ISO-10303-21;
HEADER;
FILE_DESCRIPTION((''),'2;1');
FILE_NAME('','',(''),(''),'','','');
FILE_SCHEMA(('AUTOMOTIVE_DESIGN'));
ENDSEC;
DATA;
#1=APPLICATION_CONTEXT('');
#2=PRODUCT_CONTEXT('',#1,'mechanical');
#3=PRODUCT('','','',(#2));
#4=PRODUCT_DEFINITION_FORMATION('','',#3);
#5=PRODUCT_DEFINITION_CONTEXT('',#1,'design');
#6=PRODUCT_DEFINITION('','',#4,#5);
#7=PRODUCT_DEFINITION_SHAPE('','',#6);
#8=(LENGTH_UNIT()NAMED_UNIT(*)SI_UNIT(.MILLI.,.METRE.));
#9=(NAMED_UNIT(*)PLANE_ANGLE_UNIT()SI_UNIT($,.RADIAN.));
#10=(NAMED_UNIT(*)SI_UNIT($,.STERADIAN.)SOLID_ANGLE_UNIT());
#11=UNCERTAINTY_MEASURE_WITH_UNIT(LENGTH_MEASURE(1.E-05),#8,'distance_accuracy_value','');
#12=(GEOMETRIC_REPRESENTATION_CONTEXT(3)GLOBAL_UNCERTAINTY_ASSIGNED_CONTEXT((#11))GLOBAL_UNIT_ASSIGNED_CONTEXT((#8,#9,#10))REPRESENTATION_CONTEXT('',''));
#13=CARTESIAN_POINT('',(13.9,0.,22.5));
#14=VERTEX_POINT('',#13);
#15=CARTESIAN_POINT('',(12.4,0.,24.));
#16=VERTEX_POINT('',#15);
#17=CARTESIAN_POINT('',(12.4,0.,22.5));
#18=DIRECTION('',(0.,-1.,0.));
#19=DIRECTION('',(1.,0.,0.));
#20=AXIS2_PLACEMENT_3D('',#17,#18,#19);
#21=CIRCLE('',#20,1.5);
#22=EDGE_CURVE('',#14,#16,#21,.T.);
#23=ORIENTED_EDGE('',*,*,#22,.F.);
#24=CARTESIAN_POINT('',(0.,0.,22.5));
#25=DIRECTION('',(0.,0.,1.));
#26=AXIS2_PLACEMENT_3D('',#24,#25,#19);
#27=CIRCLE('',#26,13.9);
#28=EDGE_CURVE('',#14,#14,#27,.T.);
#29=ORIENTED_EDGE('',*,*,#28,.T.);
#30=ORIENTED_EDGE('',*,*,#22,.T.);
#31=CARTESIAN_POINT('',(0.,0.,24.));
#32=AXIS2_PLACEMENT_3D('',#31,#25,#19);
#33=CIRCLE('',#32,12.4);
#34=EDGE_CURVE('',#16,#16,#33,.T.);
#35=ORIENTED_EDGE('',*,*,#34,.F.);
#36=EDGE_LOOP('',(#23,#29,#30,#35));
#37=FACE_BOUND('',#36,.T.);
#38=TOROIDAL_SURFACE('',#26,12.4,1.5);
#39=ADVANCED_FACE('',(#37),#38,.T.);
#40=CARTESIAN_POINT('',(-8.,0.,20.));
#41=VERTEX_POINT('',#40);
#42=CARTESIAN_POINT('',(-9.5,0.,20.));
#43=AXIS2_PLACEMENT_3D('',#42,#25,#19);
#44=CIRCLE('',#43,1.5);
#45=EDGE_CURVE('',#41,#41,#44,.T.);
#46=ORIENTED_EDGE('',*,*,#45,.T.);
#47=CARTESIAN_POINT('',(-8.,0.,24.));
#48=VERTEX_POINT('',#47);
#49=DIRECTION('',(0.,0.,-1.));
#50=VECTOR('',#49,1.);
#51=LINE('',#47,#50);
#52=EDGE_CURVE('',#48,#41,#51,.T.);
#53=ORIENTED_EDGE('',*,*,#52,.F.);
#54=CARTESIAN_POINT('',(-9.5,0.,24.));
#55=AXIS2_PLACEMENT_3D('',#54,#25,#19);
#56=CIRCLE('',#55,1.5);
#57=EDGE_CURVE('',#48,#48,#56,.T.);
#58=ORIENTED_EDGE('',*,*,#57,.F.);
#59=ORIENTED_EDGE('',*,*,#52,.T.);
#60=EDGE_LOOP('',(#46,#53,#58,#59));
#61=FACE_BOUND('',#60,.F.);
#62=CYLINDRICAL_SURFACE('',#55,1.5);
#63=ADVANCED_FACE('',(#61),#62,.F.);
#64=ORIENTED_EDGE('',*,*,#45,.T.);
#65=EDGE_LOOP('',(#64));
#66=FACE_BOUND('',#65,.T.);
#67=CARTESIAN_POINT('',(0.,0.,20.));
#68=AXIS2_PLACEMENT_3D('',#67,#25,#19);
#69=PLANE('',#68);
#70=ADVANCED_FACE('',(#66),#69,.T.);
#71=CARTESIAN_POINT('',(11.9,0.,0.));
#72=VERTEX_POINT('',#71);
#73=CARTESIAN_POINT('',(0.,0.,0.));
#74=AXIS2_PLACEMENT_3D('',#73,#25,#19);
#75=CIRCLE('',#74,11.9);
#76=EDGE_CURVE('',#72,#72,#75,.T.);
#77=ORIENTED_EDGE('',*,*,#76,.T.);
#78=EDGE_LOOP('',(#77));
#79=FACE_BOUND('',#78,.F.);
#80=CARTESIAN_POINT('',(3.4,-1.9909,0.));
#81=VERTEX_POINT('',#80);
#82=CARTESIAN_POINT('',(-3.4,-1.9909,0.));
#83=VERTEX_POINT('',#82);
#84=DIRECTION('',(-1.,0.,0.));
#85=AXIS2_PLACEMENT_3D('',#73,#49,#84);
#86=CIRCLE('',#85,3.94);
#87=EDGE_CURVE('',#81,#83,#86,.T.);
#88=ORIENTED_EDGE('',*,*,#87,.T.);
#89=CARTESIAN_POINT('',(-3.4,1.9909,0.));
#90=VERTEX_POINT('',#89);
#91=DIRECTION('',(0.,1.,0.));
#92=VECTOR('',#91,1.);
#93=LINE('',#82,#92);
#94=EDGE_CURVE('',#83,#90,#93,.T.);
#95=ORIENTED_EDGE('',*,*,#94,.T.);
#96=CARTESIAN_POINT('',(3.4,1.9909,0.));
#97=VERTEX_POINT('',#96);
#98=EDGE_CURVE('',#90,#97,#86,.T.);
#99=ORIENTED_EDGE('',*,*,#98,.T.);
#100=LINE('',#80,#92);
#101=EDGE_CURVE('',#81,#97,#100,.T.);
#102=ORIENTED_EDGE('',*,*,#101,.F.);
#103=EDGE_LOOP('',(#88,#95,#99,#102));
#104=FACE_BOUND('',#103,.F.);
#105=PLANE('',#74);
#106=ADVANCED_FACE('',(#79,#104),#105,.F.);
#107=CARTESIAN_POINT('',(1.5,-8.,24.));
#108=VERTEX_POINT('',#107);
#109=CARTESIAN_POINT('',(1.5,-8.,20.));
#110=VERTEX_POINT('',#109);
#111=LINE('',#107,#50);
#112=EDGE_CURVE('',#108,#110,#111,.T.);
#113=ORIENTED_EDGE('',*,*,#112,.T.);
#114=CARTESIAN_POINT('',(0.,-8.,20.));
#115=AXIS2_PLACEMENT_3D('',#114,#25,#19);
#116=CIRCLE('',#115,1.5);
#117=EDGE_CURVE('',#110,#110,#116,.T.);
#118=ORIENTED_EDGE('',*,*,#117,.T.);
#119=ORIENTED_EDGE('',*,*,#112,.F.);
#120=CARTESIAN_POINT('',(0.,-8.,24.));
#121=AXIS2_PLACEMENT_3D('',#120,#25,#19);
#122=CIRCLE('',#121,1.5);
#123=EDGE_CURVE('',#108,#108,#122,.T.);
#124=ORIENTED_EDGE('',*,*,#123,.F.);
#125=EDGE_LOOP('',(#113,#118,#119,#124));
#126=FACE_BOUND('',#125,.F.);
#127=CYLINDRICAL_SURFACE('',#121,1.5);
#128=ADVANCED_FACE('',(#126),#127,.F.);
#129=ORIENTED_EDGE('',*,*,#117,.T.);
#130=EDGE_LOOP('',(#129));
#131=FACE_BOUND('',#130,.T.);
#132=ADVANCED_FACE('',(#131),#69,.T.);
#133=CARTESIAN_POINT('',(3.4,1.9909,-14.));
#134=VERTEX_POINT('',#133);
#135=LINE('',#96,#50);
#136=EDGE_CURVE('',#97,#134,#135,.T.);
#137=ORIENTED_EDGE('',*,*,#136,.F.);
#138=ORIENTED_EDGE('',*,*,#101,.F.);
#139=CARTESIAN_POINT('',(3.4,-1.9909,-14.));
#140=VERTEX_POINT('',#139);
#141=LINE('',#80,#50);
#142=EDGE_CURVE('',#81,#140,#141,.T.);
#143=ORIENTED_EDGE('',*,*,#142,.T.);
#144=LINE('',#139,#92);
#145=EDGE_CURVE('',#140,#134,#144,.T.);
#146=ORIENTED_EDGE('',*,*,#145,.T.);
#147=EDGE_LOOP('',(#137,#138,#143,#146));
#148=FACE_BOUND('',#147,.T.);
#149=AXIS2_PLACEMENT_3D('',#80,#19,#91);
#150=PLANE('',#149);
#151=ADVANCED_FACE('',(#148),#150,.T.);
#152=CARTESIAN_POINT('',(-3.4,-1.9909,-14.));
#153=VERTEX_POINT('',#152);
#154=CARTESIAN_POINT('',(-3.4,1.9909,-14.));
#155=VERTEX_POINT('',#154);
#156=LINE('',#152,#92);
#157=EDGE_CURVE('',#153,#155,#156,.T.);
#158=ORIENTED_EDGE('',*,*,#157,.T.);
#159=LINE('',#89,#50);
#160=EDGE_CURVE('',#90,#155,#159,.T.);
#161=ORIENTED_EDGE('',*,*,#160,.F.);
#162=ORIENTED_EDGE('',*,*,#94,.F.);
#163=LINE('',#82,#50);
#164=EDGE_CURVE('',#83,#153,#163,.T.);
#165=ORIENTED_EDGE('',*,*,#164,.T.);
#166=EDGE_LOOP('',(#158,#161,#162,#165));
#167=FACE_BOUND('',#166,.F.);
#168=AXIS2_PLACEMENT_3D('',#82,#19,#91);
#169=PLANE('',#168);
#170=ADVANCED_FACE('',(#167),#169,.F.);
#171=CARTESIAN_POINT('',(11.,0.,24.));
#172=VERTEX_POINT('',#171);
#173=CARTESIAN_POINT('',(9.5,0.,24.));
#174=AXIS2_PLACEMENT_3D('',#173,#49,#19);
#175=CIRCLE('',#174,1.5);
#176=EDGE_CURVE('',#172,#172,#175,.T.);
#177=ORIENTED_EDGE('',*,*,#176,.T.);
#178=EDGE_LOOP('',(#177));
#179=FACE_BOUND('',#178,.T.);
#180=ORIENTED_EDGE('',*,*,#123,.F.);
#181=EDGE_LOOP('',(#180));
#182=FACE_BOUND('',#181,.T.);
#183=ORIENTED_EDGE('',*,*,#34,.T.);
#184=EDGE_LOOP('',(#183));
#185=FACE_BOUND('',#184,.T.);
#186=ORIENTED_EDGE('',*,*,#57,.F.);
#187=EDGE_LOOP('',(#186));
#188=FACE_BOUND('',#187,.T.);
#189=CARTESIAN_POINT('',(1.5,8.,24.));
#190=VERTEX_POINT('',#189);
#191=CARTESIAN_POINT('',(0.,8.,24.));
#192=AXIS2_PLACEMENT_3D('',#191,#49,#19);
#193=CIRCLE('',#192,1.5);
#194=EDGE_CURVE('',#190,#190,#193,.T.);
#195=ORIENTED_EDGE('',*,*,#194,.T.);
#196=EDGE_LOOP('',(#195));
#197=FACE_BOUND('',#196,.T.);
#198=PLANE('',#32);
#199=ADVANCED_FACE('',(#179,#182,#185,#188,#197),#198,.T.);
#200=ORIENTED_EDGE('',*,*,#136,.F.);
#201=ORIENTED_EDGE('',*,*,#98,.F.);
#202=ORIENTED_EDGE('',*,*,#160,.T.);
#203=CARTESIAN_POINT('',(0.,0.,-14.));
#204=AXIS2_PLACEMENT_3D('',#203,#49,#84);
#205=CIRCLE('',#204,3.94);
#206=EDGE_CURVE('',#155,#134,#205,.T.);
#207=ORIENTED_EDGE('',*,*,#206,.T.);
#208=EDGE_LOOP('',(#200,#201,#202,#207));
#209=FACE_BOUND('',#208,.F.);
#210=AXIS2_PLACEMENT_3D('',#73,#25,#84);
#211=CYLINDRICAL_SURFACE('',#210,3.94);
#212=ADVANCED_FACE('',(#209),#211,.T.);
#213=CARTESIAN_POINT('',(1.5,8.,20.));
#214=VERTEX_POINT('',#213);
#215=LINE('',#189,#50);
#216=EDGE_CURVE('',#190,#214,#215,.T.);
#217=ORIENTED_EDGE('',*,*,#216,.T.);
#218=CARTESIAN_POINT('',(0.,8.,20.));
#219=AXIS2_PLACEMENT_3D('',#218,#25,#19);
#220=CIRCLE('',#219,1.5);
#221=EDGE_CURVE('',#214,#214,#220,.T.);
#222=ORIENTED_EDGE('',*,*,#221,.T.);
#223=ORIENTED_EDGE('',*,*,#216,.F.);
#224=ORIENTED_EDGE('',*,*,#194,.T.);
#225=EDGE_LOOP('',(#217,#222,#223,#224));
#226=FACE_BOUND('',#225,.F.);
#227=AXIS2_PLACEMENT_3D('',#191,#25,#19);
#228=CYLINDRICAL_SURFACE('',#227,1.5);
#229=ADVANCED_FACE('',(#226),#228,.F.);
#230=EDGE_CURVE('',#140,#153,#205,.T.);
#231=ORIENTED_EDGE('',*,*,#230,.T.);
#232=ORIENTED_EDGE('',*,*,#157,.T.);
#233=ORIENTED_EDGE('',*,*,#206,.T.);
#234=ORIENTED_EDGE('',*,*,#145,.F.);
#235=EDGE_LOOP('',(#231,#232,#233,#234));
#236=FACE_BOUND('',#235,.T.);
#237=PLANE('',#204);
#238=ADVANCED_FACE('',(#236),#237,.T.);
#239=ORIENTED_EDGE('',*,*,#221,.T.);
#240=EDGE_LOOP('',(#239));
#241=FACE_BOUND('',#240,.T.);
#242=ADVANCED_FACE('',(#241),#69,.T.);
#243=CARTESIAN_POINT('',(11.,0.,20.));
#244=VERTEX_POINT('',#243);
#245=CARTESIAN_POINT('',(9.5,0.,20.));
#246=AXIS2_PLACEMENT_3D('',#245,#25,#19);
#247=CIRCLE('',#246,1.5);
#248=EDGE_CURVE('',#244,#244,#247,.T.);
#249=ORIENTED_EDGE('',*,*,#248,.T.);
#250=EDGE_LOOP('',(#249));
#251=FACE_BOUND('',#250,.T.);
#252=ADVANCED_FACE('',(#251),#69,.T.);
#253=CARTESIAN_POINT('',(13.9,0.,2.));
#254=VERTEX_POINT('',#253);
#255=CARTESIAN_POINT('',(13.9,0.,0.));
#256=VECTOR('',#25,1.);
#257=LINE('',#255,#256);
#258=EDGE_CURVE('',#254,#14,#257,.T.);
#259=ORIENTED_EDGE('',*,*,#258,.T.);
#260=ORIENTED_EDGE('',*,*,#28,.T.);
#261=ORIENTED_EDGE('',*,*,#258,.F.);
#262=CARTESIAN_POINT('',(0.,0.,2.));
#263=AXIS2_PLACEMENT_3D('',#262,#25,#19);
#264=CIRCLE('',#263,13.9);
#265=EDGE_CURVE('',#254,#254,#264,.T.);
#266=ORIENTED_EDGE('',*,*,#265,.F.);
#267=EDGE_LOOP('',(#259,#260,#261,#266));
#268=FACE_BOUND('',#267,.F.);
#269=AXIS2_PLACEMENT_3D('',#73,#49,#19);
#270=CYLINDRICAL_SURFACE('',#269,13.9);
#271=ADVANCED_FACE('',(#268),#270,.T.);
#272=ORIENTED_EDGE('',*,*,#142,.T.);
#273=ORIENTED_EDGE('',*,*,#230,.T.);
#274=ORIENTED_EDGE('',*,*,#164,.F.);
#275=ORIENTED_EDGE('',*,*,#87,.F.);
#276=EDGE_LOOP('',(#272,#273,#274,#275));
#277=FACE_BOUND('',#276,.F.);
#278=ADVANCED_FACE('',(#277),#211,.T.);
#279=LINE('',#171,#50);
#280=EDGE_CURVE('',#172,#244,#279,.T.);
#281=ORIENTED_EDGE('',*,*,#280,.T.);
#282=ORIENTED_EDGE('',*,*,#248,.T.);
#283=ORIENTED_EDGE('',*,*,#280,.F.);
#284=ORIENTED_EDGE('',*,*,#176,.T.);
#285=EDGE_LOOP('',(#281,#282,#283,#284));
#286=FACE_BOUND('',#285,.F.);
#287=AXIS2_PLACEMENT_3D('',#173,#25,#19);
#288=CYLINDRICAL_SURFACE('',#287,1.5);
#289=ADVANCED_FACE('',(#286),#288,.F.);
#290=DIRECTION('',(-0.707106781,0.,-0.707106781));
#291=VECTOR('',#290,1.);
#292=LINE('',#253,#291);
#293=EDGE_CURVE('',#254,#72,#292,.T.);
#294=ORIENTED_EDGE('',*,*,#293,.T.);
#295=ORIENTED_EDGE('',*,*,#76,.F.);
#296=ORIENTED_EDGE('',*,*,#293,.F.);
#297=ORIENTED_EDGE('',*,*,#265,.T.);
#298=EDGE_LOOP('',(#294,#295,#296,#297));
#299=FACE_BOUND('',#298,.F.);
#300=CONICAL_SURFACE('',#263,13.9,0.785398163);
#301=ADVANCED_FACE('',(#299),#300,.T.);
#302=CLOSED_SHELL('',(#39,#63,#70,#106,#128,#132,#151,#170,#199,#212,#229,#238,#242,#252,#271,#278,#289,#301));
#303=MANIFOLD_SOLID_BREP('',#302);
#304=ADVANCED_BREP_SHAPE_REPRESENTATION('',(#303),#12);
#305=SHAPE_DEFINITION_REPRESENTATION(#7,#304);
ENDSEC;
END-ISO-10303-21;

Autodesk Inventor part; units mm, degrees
ref_plane "YZ Plane" through (0, 0, 0) normal (1, 0, 0) x (0, 1, 0)
ref_plane "XZ Plane" through (0, 0, 0) normal (0, 1, 0) x (-1, 0, 0)
ref_plane "XY Plane" through (0, 0, 0) normal (0, 0, 1) x (1, 0, 0)
sketch "Sketch1" plane through (0, 0, 0) normal (0, 0, 1) x (1, 0, 0)
  circle A0 centre (0, 0) radius 13.9
  dimension "d0" = 27.8
extrude "Extrusion1" add sketch "Sketch1" along normal blind 24
fillet "Fillet1" radius 1.5 1 edges at (-13.9, 0, 24)
chamfer "Chamfer1" distance 2 angle 45 1 edges at (-13.9, 0, 0)
sketch "Sketch2" plane through (0, 0, 0) normal (0, 0, -1) x (-1, 0, 0)
  circle A0 centre (0, 0) radius 11.9 construction
  circle A1 centre (0, 0) radius 3.94
  line L0 (0, 0) -> (0, -2.6934)
  line L1 (3.4, -1.9909) -> (3.4, 1.9909)
  line L2 (-3.4, -1.9909) -> (-3.4, 1.9909)
  point P0 (0, -1.3467)
  dimension "d7" = 7.88
  dimension "d8" = 6.8
extrude "Extrusion2" add sketch "Sketch2" along normal blind 14 contours L1 A1 L2
sketch "Sketch3" plane through (0, 0, 24) normal (0, 0, 1) x (1, 0, 0)
  circle A0 centre (0, 0) radius 12.4 construction
  line L0 (0, 0) -> (0, 10.8794)
  line L1 (0, 0) -> (9.5, 0)
  circle A1 centre (9.5, 0) radius 1.5
  circle A2 centre (0, 8) radius 1.5
  circle A3 centre (-9.5, 0) radius 1.5
  circle A4 centre (0, -8) radius 1.5
  dimension "d11" = 8
  dimension "d12" = 9.5
  dimension "d13" = 3
  dimension "d14" = 3
extrude "Extrusion3" cut sketch "Sketch3" against normal blind 4
thread "Thread1" size "M3x0.5" class "6H" standard "ANSI Metric M Profile" length 30
thread "Thread2" size "M3x0.5" class "6H" standard "ANSI Metric M Profile" length 30
thread "Thread3" size "M3x0.5" class "6H" standard "ANSI Metric M Profile" length 30
thread "Thread4" size "M3x0.5" class "6H" standard "ANSI Metric M Profile" length 30
properties part number "motor"
